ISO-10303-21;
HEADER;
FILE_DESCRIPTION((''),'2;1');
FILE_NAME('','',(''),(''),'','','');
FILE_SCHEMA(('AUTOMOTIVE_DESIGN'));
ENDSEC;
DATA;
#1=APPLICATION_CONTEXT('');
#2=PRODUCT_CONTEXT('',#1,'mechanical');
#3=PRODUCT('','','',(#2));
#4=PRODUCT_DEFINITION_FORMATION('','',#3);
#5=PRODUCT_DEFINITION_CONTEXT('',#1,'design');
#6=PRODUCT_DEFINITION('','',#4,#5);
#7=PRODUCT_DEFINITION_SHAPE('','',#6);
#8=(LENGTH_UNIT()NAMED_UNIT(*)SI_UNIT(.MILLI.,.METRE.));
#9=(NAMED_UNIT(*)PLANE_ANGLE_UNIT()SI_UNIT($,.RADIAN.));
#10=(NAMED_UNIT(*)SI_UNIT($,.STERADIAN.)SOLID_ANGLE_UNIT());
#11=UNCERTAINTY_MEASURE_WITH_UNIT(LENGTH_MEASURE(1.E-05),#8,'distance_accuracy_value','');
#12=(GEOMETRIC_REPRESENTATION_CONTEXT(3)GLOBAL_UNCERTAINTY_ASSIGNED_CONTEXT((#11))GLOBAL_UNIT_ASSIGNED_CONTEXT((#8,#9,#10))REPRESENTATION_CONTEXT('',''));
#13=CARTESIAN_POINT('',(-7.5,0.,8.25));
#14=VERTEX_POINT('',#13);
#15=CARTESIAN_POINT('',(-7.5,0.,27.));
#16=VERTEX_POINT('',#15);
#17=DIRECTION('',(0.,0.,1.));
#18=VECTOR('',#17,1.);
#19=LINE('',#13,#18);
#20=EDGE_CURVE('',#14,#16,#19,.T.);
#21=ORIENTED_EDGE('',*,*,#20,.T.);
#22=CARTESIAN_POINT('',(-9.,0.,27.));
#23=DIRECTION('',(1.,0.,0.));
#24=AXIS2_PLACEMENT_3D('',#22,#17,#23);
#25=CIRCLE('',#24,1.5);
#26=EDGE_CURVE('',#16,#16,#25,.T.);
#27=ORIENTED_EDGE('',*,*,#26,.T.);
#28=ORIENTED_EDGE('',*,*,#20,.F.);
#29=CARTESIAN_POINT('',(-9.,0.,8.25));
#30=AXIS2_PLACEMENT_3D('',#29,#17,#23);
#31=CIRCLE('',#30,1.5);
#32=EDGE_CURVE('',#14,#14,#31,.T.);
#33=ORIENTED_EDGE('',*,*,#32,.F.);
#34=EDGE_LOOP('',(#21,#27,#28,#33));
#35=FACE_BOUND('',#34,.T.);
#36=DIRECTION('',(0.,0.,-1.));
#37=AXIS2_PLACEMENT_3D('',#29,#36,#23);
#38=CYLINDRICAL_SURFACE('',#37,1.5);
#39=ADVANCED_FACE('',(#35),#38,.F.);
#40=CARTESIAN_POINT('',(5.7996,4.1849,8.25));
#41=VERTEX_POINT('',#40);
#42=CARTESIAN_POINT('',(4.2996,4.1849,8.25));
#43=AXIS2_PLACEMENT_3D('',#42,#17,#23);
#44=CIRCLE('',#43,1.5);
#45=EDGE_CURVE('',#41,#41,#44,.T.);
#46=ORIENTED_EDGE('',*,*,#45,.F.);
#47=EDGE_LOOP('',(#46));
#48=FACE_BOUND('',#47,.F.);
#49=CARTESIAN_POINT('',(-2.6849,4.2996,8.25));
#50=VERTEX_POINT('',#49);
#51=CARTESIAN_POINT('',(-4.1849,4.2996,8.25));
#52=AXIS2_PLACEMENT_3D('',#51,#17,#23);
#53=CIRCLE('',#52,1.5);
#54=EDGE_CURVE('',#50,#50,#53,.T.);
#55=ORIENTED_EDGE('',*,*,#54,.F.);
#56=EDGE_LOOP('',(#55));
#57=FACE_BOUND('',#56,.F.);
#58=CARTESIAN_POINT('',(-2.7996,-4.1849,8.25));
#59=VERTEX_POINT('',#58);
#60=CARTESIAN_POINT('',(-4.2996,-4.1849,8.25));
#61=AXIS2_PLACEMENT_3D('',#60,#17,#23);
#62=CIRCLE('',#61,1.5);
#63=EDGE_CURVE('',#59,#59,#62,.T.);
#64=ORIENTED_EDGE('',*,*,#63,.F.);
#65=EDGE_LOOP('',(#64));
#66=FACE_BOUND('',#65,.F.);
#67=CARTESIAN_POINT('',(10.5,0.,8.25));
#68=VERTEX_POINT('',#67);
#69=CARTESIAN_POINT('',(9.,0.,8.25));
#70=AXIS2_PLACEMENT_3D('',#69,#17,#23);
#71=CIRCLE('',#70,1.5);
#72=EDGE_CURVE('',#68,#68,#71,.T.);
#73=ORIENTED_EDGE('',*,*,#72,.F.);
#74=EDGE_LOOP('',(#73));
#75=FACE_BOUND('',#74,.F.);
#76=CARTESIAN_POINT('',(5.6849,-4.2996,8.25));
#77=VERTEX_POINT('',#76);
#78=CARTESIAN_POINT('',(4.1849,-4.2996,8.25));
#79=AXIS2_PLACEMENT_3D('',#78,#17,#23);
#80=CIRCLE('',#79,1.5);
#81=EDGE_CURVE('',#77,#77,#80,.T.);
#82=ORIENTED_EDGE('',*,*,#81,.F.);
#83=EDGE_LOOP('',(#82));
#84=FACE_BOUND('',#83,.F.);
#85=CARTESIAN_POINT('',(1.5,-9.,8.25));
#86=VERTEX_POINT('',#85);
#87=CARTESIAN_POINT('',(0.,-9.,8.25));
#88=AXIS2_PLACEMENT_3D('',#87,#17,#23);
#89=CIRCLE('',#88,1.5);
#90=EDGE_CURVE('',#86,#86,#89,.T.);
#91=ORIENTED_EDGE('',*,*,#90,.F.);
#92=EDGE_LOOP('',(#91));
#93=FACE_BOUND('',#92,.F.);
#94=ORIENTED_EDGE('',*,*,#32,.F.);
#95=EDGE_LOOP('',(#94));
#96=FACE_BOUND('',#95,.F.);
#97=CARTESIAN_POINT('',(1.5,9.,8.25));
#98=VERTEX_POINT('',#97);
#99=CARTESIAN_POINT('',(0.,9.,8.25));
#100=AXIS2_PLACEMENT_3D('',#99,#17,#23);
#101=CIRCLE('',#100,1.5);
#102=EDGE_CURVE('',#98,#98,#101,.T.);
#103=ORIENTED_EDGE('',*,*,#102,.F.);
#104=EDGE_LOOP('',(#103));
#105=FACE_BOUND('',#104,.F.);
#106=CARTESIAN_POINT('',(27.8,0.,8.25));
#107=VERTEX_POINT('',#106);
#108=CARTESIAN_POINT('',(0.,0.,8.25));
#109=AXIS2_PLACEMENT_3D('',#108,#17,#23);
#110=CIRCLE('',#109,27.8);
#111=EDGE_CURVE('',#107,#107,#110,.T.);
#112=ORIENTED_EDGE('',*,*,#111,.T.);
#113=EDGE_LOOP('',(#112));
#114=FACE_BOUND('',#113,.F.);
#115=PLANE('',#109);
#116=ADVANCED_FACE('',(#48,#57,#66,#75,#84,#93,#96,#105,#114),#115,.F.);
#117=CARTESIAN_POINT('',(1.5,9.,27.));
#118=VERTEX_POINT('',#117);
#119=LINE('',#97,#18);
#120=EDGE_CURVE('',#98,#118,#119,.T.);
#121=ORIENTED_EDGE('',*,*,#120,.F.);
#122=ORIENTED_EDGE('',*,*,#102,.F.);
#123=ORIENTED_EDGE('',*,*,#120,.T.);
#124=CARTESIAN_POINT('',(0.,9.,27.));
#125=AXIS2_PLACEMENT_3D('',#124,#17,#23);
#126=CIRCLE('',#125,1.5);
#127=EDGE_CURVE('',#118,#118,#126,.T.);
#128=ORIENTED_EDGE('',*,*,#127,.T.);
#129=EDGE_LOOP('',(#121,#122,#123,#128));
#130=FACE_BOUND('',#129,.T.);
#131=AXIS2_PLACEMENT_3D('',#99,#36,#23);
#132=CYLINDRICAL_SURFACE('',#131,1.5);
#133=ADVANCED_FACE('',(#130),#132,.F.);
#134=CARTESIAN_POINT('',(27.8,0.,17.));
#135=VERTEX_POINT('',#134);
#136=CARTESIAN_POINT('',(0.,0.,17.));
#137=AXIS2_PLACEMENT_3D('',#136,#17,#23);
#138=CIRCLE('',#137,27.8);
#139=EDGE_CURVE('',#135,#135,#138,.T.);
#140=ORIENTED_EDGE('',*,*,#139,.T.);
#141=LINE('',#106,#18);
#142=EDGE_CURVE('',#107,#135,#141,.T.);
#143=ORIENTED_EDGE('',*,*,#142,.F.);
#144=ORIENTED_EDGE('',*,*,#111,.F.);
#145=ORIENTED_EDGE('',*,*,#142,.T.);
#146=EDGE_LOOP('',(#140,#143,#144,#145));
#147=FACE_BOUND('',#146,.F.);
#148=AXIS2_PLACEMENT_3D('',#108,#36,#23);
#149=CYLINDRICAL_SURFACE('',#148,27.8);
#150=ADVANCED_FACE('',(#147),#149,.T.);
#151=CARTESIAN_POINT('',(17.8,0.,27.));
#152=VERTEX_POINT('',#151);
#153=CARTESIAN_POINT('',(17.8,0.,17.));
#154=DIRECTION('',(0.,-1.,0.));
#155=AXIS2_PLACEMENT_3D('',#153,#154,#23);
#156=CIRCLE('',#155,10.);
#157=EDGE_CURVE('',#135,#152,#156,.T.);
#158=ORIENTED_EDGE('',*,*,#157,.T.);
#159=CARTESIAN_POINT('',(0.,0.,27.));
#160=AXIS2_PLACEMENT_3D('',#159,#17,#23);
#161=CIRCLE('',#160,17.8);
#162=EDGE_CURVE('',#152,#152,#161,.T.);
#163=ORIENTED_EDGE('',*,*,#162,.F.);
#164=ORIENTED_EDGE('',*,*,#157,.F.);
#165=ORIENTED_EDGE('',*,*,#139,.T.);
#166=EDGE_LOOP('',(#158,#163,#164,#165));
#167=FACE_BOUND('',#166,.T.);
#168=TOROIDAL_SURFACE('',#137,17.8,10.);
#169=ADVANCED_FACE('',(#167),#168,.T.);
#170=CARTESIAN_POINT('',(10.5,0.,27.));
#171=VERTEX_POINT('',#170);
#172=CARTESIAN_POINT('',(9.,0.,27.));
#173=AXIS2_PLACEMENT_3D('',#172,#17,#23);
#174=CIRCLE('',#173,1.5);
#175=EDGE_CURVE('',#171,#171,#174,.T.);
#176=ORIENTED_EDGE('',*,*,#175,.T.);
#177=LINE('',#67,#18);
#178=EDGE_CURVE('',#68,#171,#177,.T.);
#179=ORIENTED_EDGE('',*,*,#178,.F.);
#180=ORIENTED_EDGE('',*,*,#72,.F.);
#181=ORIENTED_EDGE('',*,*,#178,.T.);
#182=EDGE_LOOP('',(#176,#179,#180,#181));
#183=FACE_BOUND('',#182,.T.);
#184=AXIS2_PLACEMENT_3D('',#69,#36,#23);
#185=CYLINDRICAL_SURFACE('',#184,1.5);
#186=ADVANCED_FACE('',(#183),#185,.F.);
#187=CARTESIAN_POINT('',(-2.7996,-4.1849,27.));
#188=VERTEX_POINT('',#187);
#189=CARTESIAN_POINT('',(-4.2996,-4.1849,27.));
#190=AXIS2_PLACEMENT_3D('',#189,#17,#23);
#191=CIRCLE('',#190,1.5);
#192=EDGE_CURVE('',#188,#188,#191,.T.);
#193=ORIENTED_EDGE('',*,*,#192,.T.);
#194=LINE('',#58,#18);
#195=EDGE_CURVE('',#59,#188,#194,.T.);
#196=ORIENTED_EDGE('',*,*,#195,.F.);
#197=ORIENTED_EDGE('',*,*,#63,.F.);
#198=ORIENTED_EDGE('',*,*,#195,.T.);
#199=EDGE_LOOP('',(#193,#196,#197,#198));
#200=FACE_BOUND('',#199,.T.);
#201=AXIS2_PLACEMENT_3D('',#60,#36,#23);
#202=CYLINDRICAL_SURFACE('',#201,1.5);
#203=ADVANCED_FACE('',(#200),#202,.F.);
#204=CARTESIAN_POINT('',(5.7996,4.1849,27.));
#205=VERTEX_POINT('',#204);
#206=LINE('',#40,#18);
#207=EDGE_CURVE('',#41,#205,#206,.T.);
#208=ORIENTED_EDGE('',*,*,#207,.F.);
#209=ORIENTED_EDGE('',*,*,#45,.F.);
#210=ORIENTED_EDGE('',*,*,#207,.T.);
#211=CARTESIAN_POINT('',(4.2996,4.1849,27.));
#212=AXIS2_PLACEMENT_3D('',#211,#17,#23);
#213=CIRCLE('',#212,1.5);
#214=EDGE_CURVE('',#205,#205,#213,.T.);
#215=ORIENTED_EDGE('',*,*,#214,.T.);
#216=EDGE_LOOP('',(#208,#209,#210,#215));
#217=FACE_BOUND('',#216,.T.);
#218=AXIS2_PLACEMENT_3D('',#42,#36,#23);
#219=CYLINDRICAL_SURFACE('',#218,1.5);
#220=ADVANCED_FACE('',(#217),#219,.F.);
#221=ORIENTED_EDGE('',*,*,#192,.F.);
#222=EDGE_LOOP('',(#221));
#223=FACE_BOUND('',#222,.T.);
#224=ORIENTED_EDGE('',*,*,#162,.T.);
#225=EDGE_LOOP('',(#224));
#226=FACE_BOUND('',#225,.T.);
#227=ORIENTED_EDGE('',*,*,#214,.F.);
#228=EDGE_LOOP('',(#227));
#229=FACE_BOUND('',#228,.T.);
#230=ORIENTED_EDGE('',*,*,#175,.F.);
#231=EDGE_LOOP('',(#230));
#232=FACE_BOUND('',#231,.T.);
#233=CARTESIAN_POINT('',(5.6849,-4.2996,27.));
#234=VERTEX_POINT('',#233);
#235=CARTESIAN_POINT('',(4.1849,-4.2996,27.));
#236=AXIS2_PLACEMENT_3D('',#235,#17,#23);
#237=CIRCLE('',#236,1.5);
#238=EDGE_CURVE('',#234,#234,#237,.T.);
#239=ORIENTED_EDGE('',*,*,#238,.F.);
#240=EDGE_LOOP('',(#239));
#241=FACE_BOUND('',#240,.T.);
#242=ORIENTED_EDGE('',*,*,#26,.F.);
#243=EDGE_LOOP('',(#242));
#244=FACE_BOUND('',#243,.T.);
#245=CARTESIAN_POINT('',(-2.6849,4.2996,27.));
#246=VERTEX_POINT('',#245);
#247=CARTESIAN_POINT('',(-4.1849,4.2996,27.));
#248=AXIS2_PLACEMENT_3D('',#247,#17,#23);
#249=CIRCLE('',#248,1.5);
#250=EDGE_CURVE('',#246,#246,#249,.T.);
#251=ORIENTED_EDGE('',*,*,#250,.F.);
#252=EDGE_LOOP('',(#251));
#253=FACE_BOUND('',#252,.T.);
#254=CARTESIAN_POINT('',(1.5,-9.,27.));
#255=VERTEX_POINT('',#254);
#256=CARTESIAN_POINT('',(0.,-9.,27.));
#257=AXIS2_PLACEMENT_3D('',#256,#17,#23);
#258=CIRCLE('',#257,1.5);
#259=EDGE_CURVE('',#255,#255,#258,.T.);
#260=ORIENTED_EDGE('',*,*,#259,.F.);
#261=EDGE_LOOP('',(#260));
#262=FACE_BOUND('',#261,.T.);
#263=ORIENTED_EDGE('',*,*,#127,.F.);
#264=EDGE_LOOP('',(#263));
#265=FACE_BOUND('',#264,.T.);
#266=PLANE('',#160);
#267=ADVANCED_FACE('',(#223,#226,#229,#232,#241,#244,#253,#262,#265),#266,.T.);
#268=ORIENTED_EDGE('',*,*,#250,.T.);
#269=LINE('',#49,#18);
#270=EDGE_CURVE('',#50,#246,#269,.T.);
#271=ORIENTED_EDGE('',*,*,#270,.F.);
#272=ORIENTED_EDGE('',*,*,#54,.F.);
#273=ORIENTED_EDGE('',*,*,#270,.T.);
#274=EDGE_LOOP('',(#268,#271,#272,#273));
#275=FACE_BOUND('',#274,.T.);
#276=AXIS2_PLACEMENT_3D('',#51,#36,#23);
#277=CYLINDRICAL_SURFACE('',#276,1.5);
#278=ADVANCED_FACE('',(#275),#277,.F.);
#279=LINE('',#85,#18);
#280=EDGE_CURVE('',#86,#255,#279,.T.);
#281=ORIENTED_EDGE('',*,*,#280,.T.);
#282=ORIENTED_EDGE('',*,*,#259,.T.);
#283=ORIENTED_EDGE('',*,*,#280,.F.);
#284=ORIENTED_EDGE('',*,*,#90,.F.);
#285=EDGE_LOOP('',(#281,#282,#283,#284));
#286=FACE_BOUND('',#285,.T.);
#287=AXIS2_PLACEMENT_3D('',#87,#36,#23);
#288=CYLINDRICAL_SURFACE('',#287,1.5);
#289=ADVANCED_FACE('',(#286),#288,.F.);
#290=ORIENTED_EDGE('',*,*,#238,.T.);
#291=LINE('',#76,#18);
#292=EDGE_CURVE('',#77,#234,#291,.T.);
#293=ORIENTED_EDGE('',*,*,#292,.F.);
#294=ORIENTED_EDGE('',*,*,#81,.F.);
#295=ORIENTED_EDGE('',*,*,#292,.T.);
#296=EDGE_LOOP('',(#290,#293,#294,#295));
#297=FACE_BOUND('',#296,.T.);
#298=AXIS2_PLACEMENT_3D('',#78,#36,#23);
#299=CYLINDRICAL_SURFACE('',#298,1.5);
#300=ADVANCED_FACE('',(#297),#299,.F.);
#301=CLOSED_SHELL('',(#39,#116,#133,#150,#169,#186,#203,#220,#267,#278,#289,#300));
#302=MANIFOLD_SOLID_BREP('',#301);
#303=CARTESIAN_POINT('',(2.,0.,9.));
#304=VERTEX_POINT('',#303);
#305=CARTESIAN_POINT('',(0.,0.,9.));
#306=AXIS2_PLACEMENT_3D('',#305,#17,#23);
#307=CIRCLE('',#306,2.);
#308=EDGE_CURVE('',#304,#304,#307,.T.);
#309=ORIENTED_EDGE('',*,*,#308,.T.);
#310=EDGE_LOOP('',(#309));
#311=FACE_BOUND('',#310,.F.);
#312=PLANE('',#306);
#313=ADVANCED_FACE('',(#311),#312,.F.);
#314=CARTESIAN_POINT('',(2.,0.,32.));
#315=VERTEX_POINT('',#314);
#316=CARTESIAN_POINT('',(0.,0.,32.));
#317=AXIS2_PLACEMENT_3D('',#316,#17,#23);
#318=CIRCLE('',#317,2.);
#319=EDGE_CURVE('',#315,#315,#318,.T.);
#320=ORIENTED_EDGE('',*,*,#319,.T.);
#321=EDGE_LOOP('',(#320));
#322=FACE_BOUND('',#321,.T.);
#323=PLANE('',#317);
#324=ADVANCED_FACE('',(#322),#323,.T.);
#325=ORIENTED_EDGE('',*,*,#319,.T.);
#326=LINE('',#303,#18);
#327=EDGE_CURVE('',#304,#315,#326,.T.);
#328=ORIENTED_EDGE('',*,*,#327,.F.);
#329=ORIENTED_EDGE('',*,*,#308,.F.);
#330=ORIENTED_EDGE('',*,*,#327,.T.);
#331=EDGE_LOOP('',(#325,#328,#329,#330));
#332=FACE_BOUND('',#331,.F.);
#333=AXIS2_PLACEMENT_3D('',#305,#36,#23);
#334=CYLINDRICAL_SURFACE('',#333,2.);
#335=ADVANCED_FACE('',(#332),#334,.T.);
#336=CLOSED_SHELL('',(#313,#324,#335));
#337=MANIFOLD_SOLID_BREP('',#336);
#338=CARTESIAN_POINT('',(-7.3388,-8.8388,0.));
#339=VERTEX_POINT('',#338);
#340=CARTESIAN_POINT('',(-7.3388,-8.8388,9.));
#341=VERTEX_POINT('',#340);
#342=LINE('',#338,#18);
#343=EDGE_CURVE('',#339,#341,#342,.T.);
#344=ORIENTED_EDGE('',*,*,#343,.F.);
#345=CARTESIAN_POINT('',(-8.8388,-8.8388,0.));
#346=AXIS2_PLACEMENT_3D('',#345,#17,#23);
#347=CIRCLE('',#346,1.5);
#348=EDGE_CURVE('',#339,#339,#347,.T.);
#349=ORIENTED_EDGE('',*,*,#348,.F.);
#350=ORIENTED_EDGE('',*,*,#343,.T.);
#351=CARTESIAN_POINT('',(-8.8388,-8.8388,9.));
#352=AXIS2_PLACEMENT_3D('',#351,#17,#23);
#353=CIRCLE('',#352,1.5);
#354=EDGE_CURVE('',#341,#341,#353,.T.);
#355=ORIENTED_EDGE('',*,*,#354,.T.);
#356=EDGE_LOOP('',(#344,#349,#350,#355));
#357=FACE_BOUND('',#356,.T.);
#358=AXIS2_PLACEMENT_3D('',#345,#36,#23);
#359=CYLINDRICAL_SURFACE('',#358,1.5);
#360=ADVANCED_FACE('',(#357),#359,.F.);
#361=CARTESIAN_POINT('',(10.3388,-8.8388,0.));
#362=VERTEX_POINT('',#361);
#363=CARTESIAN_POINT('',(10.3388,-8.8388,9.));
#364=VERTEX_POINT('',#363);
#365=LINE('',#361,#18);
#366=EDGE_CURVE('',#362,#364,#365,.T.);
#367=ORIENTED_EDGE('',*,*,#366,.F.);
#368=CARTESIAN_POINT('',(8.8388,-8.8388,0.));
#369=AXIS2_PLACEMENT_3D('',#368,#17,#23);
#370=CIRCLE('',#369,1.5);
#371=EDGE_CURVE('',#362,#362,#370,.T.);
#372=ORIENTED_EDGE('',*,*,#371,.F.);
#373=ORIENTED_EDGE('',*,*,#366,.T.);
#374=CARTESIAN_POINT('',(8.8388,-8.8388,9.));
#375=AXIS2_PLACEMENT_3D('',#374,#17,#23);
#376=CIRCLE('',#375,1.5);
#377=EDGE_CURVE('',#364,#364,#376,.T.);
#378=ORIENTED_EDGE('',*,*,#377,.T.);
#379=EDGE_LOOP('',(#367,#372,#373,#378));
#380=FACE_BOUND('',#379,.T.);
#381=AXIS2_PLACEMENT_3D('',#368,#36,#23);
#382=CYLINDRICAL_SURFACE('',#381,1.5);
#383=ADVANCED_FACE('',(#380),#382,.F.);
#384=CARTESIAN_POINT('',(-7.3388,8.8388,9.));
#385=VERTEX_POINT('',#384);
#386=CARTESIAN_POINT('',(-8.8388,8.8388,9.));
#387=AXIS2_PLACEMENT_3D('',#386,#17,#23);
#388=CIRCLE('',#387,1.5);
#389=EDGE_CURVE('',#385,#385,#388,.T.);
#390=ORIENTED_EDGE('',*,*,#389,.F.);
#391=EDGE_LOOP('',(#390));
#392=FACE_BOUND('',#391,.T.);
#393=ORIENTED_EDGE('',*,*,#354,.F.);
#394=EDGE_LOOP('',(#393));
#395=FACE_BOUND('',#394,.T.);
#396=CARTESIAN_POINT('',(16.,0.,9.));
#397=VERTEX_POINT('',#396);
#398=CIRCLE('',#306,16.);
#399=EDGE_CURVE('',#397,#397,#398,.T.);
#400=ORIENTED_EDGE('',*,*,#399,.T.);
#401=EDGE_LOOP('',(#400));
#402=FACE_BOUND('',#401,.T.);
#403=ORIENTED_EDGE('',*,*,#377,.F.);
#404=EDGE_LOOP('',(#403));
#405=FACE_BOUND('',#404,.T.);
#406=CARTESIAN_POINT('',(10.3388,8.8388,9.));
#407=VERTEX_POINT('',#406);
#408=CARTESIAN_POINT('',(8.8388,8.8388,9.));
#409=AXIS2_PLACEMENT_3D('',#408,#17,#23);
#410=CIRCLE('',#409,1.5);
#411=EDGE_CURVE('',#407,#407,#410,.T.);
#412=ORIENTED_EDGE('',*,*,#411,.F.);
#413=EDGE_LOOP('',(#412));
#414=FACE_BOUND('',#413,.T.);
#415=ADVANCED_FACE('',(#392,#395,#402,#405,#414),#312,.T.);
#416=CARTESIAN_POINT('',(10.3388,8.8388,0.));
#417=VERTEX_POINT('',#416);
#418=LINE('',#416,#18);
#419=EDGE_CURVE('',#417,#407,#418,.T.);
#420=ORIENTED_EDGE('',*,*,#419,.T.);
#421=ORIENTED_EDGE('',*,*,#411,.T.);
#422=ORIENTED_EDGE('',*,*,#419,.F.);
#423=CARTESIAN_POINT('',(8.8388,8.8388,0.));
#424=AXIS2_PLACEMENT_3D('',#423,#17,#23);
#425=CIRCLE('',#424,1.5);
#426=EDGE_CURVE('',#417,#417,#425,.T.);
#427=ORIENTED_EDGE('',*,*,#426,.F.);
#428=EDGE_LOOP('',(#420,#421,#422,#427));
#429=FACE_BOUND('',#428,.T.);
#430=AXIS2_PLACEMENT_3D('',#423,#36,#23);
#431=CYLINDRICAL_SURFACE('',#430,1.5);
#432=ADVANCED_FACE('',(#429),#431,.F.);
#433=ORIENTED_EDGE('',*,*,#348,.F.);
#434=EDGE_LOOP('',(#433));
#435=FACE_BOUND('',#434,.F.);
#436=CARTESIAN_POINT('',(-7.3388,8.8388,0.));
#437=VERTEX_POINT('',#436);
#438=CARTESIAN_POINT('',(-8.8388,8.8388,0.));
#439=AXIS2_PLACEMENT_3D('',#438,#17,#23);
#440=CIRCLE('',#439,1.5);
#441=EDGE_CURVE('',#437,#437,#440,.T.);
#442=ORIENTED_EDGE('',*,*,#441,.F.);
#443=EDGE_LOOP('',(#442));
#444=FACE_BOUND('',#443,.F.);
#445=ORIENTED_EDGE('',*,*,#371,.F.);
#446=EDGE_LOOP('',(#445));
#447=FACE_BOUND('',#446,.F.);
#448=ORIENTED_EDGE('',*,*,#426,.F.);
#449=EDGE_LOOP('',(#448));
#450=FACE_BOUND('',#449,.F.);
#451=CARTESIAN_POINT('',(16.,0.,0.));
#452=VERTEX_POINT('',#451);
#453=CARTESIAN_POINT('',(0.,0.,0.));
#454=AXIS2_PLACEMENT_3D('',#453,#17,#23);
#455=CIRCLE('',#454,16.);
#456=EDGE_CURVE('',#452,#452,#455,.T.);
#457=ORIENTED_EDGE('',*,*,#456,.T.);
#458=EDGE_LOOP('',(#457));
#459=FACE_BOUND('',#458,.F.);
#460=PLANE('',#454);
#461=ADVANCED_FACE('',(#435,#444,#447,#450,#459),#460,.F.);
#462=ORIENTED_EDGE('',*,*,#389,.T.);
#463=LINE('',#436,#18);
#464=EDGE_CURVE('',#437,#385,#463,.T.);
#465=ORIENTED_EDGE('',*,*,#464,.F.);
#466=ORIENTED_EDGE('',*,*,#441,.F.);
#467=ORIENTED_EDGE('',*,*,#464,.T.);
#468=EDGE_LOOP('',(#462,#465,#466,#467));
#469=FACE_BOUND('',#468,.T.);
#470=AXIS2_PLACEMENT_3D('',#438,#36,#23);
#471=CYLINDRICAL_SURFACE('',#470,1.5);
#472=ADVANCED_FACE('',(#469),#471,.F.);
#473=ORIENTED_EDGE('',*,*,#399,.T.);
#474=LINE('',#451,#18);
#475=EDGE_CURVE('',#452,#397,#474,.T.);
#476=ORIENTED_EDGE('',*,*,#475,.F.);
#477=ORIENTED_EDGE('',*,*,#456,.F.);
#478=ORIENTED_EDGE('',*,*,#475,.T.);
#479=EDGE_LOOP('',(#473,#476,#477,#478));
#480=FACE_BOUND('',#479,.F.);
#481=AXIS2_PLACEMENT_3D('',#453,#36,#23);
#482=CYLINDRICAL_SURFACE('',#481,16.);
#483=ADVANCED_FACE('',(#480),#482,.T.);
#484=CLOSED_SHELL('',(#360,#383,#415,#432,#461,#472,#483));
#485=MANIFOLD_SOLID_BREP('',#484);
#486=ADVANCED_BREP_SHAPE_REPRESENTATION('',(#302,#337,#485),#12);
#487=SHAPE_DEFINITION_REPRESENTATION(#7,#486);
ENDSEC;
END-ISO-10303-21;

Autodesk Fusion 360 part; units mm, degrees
sketch "TopSketch" plane through (0, 0, 0) normal (0, 0, 1) x (1, 0, 0) in component "Stator"
  circle A0 centre (0, 0) radius 12.5 construction
  line L0 (0, 0) -> (28.0713, 28.0713) construction
  line L1 (0, 0) -> (39.6989, 0) construction
  circle A1 centre (8.8388, 8.8388) radius 1.5
  circle A2 centre (-8.8388, 8.8388) radius 1.5
  circle A3 centre (-8.8388, -8.8388) radius 1.5
  circle A4 centre (8.8388, -8.8388) radius 1.5
  circle A5 centre (0, 0) radius 16
  circle A6 centre (0, 0) radius 27.8
  dimension "d1" = 25
  dimension "d2" = 45
  dimension "d3" = 3
  dimension "d5" = 360
  dimension "d7" = 32
  dimension "d15" = 55.6
sketch "FrontSketch" plane through (0, 0, 0) normal (0, 1, 0) x (1, 0, 0) in component "Stator"
  line L0 (-27.8, -27) -> (-27.8, -8.25)
  line L1 (27.8, -27) -> (27.8, -8.25)
  line L2 (0, -23) -> (0, 11) construction
  line L3 (-27.8, -27) -> (27.8, -27)
  line L4 (-27.8, -8.25) -> (27.8, -8.25)
  line L5 (-16, 0) -> (16, 0)
  line L6 (7, -32) -> (-10, -32)
  line L7 (-16, 0) -> (-16, -8.25)
  line L8 (16, 0) -> (16, -8.25)
  dimension "d8" = 27.8
  dimension "d9" = 27.8
  dimension "d10" = 8.25
  dimension "d11" = 27
  dimension "d12" = 32
sketch "TopSketch (2)" plane through (0, 0, 0) normal (0, 0, 1) x (1, 0, 0) in component "Rotor"
  circle A0 centre (0, 0) radius 27.8
  circle A1 centre (0, 0) radius 2
  circle A2 centre (0, 0) radius 9 construction
  circle A3 centre (0, 0) radius 6 construction
  circle A4 centre (0, 9) radius 1.5
  line L0 (0, 0) -> (13, 13) construction
  line L1 (0, 0) -> (18.3848, 0) construction
  circle A5 centre (-4.2996, -4.1849) radius 1.5
  circle A6 centre (-9, 0) radius 1.5
  circle A7 centre (4.1849, -4.2996) radius 1.5
  circle A8 centre (0, -9) radius 1.5
  circle A9 centre (4.2996, 4.1849) radius 1.5
  circle A10 centre (9, 0) radius 1.5
  circle A11 centre (-4.1849, 4.2996) radius 1.5
  dimension "d16" = 4
  dimension "d17" = 18
  dimension "d18" = 12
  dimension "d19" = 3
  dimension "d21" = 45
  dimension "d22" = 18.3848
  dimension "d23" = 3
  dimension "d25" = 360
extrude "Extrude1" add sketch "TopSketch (2)" along normal blind 27 and the other way blind -8.25 contours A0 | A1 makes body 1 in component "Rotor"
extrude "Extrude2" add sketch "TopSketch (2)" along normal blind 32 and the other way blind -9 separate body contours A1 makes body 2 in component "Rotor"
extrude "Extrude2'" add sketch "TopSketch" along normal blind 9 separate body contours A5 makes body 3 in component "Stator"
fillet "Fillet1" radius 10 1 edges at (-25.9187, -10.0529, 27) on bodies 1 in component "Rotor"
extrude "Extrude1'" [suppressed] in component "Stator"
component "Stator" placed x (1, 0, 0) y (0, 1, 0) z (0, 0, 1) at (0, 0, 0)
component "Rotor" placed x (1, 0, 0) y (0, 1, 0) z (0, 0, 1) at (0, 0, 0)
equation "d8 = ( 55.6 / 2 ) * 1 mm"
